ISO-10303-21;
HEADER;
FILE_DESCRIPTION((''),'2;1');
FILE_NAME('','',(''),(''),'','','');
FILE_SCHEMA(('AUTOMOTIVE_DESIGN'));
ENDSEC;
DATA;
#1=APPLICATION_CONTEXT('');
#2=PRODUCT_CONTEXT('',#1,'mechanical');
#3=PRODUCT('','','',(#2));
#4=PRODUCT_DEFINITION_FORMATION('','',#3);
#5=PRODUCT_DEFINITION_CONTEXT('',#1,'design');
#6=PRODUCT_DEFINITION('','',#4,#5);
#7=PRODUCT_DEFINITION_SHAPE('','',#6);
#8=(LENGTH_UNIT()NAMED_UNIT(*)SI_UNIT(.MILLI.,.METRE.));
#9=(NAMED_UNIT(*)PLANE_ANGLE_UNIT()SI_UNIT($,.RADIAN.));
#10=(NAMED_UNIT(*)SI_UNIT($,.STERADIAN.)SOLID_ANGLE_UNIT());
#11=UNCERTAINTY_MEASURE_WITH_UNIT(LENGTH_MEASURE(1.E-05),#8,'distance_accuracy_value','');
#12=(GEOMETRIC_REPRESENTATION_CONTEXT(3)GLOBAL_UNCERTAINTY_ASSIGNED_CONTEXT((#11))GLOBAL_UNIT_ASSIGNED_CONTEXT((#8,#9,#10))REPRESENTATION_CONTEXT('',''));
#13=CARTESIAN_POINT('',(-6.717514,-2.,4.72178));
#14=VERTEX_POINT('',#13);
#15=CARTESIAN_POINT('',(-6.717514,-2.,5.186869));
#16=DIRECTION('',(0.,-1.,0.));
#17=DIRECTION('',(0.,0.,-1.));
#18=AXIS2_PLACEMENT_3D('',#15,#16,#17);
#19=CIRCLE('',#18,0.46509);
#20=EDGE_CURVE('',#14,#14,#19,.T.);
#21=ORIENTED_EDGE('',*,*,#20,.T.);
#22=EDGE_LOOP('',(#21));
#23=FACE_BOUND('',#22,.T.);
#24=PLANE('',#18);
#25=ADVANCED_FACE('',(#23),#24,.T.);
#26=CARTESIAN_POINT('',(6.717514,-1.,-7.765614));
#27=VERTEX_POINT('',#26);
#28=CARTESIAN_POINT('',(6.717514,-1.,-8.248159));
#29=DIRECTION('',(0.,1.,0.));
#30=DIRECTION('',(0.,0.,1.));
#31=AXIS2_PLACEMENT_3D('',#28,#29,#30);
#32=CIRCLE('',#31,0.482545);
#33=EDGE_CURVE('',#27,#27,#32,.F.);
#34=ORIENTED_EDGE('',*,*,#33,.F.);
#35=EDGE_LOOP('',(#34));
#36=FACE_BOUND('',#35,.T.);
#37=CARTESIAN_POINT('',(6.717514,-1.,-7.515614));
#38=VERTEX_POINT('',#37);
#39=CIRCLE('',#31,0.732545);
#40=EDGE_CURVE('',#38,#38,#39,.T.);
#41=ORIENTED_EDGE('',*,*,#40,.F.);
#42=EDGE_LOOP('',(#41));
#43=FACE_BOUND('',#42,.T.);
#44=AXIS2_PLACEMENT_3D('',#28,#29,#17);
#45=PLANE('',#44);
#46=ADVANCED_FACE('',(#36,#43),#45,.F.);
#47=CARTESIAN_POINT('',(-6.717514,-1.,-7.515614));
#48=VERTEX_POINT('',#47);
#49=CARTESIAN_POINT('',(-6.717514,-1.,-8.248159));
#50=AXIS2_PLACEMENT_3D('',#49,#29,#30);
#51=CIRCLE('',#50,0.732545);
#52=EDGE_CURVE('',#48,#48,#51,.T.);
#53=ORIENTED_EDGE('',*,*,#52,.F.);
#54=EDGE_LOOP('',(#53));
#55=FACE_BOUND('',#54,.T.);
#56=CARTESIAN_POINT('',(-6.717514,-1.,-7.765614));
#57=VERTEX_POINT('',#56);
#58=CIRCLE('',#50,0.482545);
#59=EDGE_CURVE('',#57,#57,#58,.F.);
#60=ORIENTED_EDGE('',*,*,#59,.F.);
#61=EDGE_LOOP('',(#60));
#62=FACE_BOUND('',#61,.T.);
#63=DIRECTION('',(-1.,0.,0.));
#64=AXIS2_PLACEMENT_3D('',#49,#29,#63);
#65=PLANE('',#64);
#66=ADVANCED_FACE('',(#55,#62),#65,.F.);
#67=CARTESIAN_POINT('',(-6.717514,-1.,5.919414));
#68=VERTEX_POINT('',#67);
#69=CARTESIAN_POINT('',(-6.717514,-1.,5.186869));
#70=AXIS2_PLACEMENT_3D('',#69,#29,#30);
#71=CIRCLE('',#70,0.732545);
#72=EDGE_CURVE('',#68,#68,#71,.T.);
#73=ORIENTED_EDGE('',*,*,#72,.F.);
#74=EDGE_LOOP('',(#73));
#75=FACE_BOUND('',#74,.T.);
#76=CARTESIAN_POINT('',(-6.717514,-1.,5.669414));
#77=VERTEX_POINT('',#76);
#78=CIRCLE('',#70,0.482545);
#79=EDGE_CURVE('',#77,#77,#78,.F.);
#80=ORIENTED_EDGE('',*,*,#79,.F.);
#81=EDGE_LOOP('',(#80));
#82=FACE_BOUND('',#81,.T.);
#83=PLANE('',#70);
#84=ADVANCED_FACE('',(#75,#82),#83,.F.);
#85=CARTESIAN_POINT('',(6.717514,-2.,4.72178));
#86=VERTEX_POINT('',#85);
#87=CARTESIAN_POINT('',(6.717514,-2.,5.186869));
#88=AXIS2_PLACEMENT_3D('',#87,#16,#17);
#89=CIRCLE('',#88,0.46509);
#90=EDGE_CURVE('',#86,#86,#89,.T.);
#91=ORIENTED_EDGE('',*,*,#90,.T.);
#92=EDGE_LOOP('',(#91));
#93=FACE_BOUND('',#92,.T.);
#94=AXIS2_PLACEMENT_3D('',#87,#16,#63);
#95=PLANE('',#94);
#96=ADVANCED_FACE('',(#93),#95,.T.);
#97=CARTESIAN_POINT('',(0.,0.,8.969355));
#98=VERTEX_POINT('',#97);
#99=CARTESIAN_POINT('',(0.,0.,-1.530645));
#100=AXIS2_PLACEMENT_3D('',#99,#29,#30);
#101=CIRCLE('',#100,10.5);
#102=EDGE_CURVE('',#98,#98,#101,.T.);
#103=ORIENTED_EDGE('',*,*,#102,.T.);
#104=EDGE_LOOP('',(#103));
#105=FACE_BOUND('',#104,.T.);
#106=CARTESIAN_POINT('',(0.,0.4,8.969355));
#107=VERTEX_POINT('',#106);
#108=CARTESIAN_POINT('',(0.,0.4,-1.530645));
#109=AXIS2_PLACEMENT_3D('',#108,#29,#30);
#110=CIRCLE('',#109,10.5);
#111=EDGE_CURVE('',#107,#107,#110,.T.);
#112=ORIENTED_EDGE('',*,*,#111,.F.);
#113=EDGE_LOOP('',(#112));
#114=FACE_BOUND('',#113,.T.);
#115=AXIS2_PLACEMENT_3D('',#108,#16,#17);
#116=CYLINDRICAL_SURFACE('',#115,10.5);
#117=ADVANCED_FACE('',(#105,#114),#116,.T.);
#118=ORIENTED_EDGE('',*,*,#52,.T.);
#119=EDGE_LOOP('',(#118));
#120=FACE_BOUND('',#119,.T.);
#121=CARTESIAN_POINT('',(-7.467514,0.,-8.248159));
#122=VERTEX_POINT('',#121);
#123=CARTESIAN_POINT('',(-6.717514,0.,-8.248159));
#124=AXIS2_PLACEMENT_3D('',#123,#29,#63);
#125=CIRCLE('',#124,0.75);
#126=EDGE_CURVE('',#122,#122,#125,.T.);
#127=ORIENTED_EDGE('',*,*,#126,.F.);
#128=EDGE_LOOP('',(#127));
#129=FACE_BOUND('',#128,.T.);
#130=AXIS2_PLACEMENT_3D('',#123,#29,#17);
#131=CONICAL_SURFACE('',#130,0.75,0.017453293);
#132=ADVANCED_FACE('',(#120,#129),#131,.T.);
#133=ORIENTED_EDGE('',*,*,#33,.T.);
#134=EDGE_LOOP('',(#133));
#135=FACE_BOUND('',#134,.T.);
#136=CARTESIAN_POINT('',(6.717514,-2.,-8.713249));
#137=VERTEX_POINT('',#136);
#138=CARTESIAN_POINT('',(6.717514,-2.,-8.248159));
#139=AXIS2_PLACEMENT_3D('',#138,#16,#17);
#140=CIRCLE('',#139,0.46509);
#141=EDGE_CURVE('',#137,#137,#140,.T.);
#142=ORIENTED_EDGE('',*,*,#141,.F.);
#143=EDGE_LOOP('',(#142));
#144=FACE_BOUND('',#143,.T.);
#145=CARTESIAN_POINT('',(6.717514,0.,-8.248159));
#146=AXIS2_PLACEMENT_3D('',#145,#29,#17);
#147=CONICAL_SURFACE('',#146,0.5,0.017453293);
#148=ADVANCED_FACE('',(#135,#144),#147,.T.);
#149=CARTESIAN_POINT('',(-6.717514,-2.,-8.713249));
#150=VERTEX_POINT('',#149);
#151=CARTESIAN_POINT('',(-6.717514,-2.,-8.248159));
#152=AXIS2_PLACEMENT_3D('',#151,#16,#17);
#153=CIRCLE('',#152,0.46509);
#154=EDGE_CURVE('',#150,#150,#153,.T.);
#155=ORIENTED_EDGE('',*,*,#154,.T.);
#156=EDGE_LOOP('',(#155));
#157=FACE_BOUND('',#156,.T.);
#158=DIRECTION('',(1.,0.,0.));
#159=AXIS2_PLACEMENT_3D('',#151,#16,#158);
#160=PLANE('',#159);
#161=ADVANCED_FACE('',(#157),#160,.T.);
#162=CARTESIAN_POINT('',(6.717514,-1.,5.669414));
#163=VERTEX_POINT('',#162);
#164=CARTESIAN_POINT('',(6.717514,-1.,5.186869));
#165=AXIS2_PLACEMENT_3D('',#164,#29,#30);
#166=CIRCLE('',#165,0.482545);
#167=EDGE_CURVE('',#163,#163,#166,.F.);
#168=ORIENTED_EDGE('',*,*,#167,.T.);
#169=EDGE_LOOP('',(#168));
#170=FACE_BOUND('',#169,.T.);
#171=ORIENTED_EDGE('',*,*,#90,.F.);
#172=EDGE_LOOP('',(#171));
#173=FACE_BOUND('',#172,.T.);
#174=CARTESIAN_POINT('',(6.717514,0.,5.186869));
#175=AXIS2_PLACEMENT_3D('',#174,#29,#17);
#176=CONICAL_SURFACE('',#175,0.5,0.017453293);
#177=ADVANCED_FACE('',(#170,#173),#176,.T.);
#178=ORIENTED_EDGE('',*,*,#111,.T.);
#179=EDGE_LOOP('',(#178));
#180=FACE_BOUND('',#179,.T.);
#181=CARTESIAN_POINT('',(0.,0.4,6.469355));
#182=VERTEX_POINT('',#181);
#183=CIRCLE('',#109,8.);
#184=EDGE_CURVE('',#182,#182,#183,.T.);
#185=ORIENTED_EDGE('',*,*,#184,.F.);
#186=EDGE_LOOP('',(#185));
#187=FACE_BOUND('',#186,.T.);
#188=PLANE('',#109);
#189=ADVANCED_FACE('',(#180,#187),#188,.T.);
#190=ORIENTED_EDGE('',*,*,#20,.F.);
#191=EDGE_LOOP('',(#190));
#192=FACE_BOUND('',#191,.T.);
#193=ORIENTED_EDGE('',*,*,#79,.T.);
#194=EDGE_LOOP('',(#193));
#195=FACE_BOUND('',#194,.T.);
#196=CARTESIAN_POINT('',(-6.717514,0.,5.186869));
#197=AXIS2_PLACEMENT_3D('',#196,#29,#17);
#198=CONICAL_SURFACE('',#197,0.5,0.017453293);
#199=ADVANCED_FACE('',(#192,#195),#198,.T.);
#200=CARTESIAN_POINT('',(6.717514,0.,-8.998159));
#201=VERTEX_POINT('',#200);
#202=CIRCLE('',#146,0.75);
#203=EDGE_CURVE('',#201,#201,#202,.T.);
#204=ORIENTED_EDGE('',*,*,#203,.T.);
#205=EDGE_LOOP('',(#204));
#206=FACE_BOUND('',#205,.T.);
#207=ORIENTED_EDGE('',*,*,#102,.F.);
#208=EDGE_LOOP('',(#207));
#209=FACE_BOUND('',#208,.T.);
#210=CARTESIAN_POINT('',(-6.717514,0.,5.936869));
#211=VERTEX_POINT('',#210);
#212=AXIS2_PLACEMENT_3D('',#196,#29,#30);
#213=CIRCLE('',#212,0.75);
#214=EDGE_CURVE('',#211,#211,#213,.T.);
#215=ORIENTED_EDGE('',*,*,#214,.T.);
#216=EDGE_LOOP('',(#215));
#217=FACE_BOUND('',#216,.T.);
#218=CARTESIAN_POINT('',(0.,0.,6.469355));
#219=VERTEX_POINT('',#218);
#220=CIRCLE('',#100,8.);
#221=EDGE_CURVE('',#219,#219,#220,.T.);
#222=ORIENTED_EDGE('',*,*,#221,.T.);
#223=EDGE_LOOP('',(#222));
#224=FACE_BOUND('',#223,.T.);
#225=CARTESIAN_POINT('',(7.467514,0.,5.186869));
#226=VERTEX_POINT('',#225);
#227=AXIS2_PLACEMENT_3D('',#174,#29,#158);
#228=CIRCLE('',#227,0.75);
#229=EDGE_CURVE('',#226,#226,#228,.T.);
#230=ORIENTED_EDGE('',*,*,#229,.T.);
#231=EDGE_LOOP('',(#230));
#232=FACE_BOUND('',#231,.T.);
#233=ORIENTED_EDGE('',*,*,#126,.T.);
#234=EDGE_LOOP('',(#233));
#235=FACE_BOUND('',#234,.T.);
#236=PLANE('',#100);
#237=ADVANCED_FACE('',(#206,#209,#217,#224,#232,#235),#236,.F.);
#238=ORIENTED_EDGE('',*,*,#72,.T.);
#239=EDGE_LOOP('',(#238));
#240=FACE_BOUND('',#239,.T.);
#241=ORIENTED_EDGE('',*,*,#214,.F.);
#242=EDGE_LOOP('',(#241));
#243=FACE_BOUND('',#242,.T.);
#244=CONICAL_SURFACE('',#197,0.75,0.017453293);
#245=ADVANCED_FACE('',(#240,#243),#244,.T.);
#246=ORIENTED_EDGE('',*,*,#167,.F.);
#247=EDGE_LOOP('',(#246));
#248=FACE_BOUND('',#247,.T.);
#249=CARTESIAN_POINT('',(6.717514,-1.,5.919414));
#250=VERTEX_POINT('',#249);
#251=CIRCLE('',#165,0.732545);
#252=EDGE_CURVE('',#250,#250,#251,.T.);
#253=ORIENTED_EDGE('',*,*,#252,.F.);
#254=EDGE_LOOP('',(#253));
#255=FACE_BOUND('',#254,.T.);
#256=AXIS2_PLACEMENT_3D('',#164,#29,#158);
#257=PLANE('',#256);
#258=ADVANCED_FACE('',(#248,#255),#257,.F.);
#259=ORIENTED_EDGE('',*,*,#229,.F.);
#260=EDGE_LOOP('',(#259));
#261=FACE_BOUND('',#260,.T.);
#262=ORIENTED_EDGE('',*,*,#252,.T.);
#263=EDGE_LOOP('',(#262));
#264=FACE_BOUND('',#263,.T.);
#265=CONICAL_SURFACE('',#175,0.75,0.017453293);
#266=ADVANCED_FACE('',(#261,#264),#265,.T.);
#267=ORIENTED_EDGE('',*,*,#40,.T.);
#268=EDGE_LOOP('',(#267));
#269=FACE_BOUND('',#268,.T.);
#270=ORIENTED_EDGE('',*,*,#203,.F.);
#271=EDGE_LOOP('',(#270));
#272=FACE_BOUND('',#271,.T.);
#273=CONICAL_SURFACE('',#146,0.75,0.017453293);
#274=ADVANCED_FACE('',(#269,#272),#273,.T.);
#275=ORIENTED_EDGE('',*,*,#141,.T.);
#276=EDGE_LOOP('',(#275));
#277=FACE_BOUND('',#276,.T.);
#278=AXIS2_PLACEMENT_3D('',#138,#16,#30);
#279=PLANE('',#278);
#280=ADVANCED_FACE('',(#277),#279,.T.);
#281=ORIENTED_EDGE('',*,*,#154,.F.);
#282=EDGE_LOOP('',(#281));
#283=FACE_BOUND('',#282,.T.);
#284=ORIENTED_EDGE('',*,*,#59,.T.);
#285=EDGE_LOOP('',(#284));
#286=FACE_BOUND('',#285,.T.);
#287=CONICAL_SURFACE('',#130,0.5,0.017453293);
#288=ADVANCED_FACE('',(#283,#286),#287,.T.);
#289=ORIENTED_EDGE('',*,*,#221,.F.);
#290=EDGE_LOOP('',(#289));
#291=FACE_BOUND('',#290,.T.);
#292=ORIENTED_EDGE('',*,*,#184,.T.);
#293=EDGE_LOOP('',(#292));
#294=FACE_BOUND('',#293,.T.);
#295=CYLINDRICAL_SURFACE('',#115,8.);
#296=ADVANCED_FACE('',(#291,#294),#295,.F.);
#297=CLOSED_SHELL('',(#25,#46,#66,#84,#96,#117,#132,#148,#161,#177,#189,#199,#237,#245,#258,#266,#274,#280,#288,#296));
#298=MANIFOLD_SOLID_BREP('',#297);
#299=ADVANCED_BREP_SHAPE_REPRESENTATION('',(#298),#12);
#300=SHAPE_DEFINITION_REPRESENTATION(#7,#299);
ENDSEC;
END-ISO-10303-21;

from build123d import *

# Parameters (mm, degrees)
SKETCH1_R           = 10.5
SKETCH1_R_2         = 8
BOSS_EXTRUDE1_DEPTH = 0.4
SKETCH2_R           = 0.75
BOSS_EXTRUDE2_DEPTH = 1
SKETCH3_R           = 0.5
BOSS_EXTRUDE3_DEPTH = 1
CIRPATTERN1_COUNT   = 4
DRAFT1_ANGLE        = 1


with BuildPart() as part:
    # Sketch1 → Boss-Extrude1 (new body)
    with BuildSketch(Plane(origin=(0, 0, 0), x_dir=(1, 0, 0), z_dir=(0, 1, 0))):
        with Locations(Location((0, 1.53064501, 0), (0, 0, 270))):
            Circle(SKETCH1_R)
        with Locations(Location((0, 1.53064501, 0), (0, 0, 270))):
            Circle(SKETCH1_R_2, mode=Mode.SUBTRACT)
    extrude(amount=BOSS_EXTRUDE1_DEPTH)

    # Sketch2 → Boss-Extrude2 (add)
    with BuildSketch(Plane(origin=(0, 0, 0), x_dir=(1, 0, 0), z_dir=(0, 1, 0))):
        with Locations(Location((-6.717514421, -5.186869411, 0), (0, 0, 270))):
            Circle(SKETCH2_R)
    boss_extrude2 = extrude(amount=-BOSS_EXTRUDE2_DEPTH)

    # Sketch3 → Boss-Extrude3 (add)
    with BuildSketch(Plane.XZ.offset(1)):
        with Locations(Location((-6.717514421, 5.186869411, 0), (0, 0, 270))):
            Circle(SKETCH3_R)
    boss_extrude3 = extrude(amount=BOSS_EXTRUDE3_DEPTH)

    # CirPattern1: Boss-Extrude2, Boss-Extrude3 ×4 about axis
    cirpattern1_axis = Axis((0, 0, -1.53064501), (0, 1, 0))
    add([boss_extrude2.rotate(cirpattern1_axis, i * 360 / CIRPATTERN1_COUNT) for i in range(1, CIRPATTERN1_COUNT)])
    add([boss_extrude3.rotate(cirpattern1_axis, i * 360 / CIRPATTERN1_COUNT) for i in range(1, CIRPATTERN1_COUNT)])

    # Draft1
    draft1_faces = [part.faces().sort_by_distance(p)[0] for p in [
        (5.967514421, -0.5, 5.186869411),
        (7.217514421, -1.5, 5.186869411),
        (6.717514421, -0.5, -7.498159431),
        (6.717514421, -1.5, -8.748159431),
        (-5.967514421, -0.5, -8.248159431),
        (-7.217514421, -1.5, -8.248159431),
        (-6.717514421, -0.5, 4.436869411),
        (-6.717514421, -1.5, 5.686869411),
    ]]
    draft(draft1_faces, Plane(origin=(0, 0, -1.53064501), x_dir=(0, 0, -1), z_dir=(0, -1, 0)), DRAFT1_ANGLE)


solid = part.part
